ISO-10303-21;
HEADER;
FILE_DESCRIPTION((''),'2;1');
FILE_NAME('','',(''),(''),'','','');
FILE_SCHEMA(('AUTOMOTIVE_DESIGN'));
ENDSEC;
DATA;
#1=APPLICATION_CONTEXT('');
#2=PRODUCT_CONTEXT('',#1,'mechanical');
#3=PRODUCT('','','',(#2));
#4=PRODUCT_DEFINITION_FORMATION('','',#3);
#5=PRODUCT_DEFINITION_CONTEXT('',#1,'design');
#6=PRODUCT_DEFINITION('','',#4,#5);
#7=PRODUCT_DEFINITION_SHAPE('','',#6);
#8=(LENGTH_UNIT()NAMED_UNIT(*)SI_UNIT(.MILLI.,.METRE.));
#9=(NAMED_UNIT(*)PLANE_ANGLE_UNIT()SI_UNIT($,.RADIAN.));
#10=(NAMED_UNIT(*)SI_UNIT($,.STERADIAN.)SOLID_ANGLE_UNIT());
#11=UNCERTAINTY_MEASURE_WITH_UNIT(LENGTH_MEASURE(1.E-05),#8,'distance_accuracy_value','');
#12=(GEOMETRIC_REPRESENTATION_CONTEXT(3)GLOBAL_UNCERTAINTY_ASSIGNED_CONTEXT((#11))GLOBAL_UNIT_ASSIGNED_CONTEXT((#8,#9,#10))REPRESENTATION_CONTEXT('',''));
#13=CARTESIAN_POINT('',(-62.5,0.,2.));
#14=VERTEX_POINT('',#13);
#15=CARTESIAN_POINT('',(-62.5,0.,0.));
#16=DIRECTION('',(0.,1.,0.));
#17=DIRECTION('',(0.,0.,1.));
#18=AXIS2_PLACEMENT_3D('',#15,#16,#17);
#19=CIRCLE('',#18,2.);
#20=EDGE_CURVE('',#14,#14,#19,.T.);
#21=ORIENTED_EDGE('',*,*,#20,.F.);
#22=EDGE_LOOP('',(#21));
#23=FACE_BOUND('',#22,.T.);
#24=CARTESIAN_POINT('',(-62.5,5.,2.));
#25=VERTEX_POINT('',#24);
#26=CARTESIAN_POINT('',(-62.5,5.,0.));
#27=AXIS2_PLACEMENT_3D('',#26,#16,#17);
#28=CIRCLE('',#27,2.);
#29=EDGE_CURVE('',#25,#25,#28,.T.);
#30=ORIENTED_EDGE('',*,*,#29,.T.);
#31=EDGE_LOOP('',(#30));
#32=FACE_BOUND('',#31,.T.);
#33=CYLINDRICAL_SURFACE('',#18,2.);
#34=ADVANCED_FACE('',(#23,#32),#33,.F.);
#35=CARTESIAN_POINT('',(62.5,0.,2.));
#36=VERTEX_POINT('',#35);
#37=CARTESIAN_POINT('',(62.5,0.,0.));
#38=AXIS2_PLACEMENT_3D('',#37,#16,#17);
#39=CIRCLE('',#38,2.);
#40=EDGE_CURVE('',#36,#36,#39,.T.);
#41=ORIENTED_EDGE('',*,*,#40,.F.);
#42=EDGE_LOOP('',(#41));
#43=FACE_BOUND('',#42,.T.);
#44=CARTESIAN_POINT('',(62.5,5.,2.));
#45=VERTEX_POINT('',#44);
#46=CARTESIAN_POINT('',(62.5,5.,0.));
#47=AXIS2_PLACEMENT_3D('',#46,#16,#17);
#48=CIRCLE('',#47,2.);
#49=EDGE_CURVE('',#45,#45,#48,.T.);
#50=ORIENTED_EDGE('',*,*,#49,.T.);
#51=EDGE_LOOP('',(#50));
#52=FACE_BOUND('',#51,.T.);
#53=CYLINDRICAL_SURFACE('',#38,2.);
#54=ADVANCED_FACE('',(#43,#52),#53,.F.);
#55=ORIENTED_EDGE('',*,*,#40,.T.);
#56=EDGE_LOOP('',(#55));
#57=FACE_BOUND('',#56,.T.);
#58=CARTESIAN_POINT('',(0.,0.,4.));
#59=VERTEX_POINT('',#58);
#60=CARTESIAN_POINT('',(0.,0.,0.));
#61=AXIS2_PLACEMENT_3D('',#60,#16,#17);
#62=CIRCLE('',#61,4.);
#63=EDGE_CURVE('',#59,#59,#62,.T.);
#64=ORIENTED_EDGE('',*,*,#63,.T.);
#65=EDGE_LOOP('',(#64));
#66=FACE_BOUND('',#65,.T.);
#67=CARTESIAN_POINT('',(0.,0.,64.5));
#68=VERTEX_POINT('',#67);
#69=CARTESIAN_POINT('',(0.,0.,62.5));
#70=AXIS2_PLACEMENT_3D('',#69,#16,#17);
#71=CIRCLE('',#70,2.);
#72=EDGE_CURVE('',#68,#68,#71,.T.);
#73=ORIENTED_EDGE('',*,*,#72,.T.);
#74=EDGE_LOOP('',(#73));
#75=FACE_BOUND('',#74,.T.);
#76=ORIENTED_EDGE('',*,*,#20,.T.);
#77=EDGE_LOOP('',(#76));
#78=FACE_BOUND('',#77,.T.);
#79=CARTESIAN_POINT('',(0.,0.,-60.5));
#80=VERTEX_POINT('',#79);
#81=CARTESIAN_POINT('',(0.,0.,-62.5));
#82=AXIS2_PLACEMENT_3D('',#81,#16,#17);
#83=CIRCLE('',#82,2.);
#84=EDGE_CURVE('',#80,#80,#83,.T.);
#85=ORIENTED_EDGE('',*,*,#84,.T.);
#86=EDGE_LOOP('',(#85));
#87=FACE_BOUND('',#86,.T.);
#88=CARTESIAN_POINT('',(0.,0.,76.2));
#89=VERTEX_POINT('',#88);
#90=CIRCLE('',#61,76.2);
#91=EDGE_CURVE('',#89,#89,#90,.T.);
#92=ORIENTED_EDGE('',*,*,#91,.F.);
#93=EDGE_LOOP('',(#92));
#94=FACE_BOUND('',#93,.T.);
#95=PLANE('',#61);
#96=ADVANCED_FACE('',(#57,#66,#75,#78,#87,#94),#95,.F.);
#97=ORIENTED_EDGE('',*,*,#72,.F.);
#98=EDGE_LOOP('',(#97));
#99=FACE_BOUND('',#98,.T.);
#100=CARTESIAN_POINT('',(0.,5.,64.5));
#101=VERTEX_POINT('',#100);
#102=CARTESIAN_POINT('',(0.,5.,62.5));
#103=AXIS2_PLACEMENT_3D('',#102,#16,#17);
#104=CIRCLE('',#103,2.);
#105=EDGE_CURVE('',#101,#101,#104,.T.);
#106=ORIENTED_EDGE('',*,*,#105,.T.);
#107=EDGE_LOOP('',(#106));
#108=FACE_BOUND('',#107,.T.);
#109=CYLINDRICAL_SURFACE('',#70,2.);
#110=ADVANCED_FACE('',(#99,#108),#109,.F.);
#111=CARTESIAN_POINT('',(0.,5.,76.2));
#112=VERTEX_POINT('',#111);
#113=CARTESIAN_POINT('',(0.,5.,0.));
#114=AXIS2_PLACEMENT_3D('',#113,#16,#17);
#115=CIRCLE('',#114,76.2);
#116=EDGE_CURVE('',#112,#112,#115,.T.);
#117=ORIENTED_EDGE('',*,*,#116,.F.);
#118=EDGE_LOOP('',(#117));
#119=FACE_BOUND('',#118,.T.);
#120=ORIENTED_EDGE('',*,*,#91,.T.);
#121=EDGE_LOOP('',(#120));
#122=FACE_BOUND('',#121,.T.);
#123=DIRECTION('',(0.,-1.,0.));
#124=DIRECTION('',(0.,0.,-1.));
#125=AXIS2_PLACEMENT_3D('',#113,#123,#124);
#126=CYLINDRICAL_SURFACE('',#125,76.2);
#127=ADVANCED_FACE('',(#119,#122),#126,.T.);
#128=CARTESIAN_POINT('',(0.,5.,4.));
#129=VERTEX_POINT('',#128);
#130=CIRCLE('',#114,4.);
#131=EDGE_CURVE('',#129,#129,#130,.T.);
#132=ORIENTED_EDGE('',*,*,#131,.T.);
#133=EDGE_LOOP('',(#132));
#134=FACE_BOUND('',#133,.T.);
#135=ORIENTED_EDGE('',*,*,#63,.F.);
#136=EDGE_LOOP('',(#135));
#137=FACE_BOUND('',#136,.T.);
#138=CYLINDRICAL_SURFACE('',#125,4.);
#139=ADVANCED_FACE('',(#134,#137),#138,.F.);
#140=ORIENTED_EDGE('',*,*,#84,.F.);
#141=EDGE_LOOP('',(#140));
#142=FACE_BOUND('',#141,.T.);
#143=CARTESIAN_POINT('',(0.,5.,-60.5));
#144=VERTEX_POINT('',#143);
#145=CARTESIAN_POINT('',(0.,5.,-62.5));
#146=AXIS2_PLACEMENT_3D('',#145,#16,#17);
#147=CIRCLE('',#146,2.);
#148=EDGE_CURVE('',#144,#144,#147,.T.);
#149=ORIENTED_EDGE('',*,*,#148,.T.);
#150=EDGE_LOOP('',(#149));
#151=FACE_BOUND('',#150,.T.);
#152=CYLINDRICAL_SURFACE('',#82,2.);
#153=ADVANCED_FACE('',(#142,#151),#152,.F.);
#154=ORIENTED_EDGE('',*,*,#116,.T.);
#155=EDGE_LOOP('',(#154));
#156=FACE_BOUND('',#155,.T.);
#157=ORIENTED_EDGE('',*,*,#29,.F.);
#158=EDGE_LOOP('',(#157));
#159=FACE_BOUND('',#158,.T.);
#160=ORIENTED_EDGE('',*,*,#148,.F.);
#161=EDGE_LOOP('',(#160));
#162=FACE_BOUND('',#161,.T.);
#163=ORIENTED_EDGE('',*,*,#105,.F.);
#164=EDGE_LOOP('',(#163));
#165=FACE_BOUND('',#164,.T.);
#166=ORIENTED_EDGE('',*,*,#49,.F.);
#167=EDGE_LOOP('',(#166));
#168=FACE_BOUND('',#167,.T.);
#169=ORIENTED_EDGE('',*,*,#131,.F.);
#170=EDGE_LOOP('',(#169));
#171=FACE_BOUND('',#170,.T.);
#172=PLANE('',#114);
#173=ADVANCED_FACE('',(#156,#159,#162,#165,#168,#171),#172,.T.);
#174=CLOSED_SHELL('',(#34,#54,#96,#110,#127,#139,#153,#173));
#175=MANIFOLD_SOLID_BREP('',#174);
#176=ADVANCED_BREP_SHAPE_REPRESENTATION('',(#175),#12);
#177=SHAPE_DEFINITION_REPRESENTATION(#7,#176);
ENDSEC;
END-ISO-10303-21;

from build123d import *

# Parameters (mm, degrees)
SKETCH1_R           = 76.2
SKETCH1_R_2         = 4
BOSS_EXTRUDE2_DEPTH = 5
SKETCH2_R           = 2
CUT_EXTRUDE1_DEPTH  = 108.879006299


with BuildPart() as part:
    # Sketch1 → Boss-Extrude2 (new body)
    with BuildSketch(Plane(origin=(0, 0, 0), x_dir=(1, 0, 0), z_dir=(0, 1, 0))):
        with Locations(Location((0, 0, 0), (0, 0, 270))):
            Circle(SKETCH1_R)
        with Locations(Location((0, 0, 0), (0, 0, 270))):
            Circle(SKETCH1_R_2, mode=Mode.SUBTRACT)
    extrude(amount=BOSS_EXTRUDE2_DEPTH)

    # Sketch2 → Cut-Extrude1 (cut, through all)
    with BuildSketch(Plane(origin=(0, 5, 0), x_dir=(1, 0, 0), z_dir=(0, 1, 0))):
        with Locations(Location((0, -62.5, 0), (0, 0, 270))):
            Circle(SKETCH2_R)
        with Locations(Location((-62.5, 0, 0), (0, 0, 270))):
            Circle(SKETCH2_R)
        with Locations(Location((0, 62.5, 0), (0, 0, 270))):
            Circle(SKETCH2_R)
        with Locations(Location((62.5, 0, 0), (0, 0, 270))):
            Circle(SKETCH2_R)
    extrude(amount=-CUT_EXTRUDE1_DEPTH, mode=Mode.SUBTRACT)


solid = part.part
